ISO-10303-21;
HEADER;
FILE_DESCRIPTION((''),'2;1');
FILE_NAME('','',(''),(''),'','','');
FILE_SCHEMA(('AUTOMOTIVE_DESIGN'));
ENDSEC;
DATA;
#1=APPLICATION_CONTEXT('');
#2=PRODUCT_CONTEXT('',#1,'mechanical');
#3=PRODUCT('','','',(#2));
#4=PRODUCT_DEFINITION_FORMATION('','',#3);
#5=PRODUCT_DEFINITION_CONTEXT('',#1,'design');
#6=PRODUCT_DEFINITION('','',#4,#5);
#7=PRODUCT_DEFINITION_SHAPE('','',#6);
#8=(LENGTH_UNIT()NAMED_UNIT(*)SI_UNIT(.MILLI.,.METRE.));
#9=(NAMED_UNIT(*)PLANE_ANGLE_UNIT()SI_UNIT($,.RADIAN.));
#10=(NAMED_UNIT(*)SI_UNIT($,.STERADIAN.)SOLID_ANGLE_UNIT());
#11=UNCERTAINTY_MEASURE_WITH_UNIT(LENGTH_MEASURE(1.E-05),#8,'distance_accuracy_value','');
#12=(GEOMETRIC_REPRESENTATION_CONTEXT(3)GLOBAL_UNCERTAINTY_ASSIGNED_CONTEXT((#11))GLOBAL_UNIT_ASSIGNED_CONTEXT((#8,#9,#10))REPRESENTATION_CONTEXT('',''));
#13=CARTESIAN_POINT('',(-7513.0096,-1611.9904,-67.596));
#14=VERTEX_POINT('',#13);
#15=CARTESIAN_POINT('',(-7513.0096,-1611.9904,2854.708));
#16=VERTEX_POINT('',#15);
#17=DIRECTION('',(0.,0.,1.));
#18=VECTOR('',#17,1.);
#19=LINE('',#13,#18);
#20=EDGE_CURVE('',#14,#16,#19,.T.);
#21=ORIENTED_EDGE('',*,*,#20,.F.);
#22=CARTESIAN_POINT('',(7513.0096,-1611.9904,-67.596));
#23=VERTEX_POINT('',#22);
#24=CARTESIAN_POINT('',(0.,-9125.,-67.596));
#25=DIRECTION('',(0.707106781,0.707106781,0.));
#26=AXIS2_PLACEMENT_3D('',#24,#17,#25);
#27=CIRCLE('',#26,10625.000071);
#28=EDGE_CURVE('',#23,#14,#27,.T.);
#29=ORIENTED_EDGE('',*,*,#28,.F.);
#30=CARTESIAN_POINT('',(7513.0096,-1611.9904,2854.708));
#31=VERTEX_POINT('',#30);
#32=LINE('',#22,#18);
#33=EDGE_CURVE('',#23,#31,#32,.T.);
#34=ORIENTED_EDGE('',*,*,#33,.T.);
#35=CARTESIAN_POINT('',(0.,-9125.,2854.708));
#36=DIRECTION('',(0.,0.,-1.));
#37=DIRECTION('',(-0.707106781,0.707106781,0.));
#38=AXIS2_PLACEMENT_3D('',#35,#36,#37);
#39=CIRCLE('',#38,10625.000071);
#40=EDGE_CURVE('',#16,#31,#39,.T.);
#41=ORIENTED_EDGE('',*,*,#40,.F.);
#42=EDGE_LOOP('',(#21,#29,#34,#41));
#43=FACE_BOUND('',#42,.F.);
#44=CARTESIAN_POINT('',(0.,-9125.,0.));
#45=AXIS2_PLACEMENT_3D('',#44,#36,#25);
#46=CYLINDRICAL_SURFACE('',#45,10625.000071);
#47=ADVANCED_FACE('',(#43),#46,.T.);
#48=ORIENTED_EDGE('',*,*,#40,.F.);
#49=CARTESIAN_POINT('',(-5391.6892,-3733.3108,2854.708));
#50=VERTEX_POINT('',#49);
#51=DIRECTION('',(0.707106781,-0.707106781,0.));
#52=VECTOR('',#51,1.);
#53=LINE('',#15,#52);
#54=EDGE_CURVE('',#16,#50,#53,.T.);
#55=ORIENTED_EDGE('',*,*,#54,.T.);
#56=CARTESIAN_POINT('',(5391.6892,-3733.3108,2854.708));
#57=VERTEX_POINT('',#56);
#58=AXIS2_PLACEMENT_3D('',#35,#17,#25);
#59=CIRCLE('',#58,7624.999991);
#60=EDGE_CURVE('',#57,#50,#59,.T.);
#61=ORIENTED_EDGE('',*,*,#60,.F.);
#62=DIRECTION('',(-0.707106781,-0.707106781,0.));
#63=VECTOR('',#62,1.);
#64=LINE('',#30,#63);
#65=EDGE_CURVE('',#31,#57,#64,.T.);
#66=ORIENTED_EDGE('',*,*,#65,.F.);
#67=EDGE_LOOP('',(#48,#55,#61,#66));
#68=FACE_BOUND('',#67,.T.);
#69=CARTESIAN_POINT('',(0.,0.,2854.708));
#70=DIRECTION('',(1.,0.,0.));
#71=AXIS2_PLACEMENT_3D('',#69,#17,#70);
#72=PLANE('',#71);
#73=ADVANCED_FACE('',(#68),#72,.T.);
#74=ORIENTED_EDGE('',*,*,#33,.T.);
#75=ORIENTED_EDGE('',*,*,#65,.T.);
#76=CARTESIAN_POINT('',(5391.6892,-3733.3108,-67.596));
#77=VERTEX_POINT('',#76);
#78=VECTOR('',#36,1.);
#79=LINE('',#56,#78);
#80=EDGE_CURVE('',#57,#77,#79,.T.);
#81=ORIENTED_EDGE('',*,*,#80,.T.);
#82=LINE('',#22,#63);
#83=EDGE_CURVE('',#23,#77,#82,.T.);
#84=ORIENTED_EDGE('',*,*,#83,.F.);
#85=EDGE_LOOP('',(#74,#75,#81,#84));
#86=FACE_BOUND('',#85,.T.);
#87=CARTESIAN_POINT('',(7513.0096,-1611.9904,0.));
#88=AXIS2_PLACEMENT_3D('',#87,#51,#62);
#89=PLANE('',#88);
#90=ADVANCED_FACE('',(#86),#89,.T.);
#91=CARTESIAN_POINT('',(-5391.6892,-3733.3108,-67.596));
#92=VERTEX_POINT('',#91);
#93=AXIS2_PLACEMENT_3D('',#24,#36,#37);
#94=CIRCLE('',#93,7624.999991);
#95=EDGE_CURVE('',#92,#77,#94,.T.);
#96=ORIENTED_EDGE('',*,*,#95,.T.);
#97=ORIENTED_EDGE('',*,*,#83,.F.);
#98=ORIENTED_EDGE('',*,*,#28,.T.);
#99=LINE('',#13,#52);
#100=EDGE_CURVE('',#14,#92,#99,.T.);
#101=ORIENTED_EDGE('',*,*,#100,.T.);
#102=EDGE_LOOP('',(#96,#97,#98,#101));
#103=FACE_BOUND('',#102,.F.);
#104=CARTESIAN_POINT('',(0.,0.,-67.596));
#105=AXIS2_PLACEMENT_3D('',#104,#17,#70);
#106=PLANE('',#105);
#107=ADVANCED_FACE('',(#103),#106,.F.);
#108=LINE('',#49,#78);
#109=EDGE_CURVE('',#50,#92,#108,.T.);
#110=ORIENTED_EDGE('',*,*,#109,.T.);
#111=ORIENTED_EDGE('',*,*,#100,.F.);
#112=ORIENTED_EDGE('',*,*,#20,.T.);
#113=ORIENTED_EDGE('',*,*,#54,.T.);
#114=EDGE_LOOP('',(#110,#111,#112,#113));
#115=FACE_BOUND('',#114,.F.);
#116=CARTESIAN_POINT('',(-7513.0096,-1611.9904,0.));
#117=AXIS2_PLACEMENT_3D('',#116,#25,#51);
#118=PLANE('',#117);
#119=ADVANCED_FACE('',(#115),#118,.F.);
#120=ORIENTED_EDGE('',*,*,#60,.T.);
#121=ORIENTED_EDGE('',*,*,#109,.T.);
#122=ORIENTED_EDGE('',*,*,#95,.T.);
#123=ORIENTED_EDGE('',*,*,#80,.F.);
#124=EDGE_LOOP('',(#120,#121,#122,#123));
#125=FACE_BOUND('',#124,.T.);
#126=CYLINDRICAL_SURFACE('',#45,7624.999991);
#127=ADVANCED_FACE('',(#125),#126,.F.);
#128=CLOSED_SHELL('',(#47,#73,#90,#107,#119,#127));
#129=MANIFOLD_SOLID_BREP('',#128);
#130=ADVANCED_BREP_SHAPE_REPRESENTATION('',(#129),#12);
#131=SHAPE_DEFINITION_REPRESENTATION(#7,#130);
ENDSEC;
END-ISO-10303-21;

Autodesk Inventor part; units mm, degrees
ref_plane "YZ Plane" through (0, 0, 0) normal (1, 0, 0) x (0, 1, 0)
ref_plane "XZ Plane" through (0, 0, 0) normal (0, 1, 0) x (-1, 0, 0)
ref_plane "XY Plane" through (0, 0, 0) normal (0, 0, 1) x (1, 0, 0)
sketch "スケッチ1" plane through (0, 0, 0) normal (0, 0, 1) x (1, 0, 0)
  arc A0 (7513.0096, -1611.9904) -> (-7513.0096, -1611.9904) centre (0, -9125) ccw
  arc A1 (5391.6892, -3733.3108) -> (-5391.6892, -3733.3108) centre (0, -9125) ccw
  line L0 (0, -11250) -> (0, 3625) projected
  line L1 (0, 1500) -> (0, -1500)
  line L2 (-7513.0096, -1611.9904) -> (-5391.6892, -3733.3108)
  line L3 (7513.0096, -1611.9904) -> (5391.6892, -3733.3108)
  point P0 (0, 0)
  dimension "d0" = 3000
  dimension "d1" = 7625
  dimension "d2" = 90
extrude "押し出し1" add sketch "スケッチ1" along normal blind 2854.708 and the other way blind 67.596
sketch "スケッチ2" plane through (0, 0, 2854.708) normal (0, 0, 1) x (1, 0, 0)
  arc A0 (5391.6892, -3733.3108) -> (-5391.6892, -3733.3108) centre (0, -9125) ccw projected
  point P0 (0, 0)
properties part number "air_skidpad"
